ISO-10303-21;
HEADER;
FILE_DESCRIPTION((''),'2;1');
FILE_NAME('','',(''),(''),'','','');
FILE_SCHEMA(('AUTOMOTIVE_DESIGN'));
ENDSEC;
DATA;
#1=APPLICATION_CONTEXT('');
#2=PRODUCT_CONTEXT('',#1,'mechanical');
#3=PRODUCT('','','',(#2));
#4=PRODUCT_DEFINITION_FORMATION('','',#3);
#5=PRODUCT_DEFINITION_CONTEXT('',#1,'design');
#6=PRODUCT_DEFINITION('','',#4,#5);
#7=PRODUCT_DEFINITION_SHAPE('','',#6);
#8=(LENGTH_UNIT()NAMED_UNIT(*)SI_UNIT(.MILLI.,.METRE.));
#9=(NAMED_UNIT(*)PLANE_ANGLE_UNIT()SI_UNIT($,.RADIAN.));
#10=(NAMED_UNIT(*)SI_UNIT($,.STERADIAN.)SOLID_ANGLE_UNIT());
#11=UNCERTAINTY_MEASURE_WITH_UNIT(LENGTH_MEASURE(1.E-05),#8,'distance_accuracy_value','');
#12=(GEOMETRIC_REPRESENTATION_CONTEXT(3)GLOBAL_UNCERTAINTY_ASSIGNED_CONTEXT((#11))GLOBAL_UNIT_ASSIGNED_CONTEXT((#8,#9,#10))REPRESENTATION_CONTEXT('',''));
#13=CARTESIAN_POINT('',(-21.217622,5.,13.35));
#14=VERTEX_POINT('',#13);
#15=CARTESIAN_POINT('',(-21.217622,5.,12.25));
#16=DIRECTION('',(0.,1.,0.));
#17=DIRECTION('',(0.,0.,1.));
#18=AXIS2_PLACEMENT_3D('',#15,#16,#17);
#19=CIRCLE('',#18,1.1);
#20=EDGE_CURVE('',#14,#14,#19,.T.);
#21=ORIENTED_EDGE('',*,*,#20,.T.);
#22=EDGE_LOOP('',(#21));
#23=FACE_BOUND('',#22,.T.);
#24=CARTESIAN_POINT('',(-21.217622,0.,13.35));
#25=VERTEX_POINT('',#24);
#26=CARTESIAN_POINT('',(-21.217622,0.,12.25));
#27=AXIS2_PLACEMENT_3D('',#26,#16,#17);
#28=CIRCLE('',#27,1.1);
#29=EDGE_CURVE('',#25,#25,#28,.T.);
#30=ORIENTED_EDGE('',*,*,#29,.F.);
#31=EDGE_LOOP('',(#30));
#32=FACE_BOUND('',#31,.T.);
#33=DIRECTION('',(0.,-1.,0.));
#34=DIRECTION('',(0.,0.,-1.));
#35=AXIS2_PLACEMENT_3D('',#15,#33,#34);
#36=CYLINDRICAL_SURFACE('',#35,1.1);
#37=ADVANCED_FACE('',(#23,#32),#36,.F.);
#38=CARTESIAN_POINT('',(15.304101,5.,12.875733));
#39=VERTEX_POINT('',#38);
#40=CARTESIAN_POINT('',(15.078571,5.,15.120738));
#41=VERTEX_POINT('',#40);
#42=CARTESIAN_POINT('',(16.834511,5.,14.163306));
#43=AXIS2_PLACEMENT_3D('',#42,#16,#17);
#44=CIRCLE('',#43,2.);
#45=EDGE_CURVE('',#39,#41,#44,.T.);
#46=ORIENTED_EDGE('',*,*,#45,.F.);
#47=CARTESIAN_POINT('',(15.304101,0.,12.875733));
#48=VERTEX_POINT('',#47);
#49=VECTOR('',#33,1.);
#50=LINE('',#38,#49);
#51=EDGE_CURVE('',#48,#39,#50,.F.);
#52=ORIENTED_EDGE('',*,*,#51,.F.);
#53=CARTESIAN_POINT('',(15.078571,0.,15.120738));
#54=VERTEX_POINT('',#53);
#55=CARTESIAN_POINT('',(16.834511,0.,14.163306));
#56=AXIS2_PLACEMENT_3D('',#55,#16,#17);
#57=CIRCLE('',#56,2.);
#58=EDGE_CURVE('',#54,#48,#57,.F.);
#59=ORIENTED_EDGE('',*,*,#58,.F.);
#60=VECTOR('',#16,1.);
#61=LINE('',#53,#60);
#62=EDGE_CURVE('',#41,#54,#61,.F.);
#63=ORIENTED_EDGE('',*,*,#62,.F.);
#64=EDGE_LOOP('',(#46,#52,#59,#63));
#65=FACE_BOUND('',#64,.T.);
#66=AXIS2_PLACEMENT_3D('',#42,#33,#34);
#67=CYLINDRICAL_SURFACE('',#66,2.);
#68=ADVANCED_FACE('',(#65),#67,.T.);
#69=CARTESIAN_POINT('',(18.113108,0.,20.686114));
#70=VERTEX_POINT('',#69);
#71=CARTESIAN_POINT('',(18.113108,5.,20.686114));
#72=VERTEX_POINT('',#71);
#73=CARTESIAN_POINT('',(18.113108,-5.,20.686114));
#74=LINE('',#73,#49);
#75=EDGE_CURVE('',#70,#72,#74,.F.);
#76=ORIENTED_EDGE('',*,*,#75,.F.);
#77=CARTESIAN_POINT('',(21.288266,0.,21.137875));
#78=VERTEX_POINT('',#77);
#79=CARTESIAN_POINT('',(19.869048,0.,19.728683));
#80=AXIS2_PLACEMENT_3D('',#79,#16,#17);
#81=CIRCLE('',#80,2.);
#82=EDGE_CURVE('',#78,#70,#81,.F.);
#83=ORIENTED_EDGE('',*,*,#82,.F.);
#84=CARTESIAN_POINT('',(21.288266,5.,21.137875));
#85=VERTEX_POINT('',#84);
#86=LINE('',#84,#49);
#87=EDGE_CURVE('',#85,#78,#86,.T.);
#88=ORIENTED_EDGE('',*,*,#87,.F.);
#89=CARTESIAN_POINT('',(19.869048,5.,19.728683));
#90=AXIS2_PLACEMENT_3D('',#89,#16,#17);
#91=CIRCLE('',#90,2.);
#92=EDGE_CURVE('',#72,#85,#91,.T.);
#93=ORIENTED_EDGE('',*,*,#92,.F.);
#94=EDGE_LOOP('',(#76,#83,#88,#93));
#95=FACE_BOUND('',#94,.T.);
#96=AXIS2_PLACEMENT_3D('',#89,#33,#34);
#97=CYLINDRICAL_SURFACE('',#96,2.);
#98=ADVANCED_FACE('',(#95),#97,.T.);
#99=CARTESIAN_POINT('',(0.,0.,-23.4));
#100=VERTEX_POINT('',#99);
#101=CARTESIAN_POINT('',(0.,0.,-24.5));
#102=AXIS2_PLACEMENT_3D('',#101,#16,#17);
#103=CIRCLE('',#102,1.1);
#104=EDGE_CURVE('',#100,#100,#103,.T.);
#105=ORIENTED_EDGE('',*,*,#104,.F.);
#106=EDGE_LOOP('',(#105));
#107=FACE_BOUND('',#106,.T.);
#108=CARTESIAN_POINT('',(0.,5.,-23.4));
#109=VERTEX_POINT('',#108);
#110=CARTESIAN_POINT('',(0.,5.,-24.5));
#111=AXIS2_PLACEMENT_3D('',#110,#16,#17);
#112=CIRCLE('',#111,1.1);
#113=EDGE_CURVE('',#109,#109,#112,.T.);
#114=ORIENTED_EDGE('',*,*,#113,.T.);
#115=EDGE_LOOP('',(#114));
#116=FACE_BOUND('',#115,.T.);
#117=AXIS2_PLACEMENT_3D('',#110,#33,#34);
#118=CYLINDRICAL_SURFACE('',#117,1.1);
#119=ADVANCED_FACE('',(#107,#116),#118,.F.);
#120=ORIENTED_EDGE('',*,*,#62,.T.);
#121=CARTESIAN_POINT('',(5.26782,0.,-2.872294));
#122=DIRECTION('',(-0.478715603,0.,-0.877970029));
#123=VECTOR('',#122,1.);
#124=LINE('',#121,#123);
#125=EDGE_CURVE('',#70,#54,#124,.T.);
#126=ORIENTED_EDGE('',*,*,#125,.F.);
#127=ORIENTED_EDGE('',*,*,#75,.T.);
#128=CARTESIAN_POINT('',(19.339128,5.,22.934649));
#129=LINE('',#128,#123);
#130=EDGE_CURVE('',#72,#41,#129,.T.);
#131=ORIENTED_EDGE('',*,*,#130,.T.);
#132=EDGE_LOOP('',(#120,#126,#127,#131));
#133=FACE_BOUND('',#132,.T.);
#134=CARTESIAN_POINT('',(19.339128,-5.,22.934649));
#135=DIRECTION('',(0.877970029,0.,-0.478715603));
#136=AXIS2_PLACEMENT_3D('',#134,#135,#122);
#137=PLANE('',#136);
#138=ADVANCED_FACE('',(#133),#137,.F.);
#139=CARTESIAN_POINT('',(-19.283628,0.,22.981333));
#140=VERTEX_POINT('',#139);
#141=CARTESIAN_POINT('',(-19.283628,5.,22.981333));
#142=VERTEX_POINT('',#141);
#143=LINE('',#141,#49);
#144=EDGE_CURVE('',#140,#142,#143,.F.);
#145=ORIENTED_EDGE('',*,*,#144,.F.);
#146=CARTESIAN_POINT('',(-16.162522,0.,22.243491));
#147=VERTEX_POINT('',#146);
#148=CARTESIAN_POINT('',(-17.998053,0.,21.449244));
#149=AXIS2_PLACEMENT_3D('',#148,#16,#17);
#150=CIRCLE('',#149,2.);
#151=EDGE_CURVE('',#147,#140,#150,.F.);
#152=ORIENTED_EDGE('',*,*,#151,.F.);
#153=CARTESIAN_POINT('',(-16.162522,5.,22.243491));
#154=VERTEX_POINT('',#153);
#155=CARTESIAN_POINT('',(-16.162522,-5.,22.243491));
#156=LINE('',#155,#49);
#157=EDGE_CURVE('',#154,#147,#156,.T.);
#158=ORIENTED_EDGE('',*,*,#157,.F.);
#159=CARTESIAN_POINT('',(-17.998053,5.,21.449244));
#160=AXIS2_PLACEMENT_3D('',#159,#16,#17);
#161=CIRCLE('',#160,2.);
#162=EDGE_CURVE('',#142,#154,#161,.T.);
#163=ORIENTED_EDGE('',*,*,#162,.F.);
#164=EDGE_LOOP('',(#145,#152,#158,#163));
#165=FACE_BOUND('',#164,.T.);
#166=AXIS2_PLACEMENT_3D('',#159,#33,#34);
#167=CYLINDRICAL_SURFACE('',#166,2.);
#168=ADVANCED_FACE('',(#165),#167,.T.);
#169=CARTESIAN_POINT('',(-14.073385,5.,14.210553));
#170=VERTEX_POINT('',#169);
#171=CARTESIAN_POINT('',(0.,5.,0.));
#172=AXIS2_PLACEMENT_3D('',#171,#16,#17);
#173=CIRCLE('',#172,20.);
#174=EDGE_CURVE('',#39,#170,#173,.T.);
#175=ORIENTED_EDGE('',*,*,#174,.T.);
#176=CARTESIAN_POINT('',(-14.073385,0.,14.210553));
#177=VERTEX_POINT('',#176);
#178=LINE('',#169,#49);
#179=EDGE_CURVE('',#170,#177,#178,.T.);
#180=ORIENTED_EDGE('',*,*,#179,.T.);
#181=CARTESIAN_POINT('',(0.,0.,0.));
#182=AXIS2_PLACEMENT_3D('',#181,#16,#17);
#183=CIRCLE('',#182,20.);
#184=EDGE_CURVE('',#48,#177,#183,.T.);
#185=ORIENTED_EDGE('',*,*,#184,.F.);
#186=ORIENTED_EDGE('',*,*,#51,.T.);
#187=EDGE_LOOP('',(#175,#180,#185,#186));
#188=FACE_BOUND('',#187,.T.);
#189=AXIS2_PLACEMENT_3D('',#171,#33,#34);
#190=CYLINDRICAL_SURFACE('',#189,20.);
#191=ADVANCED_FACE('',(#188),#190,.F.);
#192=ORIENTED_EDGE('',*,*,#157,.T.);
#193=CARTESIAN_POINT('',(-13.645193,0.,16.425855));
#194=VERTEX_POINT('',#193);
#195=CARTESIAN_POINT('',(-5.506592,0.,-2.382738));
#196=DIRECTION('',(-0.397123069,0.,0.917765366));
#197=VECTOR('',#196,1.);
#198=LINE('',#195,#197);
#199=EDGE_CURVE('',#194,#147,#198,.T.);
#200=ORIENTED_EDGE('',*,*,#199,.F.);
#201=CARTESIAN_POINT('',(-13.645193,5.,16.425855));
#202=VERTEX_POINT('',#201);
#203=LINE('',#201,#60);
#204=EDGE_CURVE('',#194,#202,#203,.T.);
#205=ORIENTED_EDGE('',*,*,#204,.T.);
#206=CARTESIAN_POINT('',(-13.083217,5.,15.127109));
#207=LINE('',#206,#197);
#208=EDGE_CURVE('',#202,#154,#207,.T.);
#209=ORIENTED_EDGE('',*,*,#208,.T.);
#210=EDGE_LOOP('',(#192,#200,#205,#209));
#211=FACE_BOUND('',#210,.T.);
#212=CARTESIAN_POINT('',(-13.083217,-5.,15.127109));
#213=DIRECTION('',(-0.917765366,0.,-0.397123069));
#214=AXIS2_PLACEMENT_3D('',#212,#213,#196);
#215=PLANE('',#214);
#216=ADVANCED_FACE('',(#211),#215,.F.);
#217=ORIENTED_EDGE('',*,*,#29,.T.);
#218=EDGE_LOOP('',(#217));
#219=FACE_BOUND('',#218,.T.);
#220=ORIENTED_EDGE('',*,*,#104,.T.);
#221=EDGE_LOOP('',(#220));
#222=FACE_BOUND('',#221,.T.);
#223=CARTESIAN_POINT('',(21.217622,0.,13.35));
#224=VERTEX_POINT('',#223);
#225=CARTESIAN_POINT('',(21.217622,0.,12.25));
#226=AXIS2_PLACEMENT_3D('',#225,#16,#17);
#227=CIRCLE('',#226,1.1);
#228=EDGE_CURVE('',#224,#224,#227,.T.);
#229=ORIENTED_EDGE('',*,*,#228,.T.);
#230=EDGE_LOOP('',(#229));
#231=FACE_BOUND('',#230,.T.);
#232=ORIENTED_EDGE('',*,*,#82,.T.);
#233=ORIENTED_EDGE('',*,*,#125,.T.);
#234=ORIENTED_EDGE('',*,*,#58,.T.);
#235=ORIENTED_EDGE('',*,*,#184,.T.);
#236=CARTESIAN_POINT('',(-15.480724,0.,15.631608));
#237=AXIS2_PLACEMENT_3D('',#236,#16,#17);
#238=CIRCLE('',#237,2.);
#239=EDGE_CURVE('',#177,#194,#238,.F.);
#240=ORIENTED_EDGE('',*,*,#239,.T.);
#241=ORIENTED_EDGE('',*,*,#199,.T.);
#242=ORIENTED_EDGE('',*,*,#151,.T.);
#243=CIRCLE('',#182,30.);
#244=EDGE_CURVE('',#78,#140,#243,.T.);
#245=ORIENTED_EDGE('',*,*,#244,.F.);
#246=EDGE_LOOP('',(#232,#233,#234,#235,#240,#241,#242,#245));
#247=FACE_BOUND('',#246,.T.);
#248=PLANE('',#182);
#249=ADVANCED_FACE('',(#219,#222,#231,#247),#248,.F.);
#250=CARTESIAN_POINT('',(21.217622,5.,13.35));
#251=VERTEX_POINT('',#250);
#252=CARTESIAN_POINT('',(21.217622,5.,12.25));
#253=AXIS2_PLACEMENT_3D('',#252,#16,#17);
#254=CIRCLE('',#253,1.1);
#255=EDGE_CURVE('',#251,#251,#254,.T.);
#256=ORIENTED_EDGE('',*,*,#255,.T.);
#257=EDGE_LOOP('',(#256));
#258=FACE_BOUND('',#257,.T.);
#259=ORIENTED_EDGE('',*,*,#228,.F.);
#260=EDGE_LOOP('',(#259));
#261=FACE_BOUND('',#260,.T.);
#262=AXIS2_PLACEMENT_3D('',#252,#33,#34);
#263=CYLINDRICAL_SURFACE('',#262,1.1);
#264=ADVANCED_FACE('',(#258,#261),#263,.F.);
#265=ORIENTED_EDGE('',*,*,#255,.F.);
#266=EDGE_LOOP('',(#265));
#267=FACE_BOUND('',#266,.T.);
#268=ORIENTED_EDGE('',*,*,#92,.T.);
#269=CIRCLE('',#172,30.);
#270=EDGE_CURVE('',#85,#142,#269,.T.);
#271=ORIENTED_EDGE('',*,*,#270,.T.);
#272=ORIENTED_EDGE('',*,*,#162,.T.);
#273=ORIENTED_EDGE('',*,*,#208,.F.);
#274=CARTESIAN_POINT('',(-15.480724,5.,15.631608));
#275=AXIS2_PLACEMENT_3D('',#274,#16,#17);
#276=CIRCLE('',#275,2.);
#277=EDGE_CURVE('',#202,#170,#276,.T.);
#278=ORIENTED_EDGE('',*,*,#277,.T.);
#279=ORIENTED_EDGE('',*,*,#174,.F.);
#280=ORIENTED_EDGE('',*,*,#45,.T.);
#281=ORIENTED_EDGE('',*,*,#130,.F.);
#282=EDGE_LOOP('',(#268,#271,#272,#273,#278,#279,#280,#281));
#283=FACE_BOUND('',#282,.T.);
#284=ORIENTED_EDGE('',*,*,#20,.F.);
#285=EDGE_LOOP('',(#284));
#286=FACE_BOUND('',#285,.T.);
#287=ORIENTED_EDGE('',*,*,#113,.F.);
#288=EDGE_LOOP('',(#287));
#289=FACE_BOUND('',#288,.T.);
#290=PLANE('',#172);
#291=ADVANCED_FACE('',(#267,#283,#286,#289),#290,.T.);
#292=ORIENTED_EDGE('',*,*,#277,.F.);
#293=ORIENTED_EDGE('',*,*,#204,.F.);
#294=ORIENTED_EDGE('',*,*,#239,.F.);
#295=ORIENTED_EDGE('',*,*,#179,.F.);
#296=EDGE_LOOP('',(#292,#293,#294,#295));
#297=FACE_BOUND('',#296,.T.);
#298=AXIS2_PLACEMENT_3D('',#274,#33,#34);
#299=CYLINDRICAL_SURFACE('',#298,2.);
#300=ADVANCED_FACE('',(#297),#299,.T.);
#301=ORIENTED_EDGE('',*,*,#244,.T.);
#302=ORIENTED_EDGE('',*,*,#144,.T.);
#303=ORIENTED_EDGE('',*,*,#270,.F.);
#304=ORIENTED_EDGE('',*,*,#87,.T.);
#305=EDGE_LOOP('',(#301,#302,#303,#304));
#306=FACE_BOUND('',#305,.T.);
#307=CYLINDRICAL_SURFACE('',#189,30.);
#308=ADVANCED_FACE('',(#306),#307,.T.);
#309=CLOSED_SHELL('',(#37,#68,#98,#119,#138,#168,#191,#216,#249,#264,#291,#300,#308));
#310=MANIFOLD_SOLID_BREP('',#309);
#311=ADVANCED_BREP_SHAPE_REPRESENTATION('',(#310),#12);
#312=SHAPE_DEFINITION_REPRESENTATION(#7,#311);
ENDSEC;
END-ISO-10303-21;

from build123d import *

# Parameters (mm, degrees)
SKETCH_1_R          = 30
SKETCH_1_R_2        = 20
SKETCH_1_R_3        = 1.1
EXTRUDE_1_DEPTH     = 5
CUT_EXTRUDE_START   = -10
CUT_EXTRUDE_1_DEPTH = 10
FILLET_1_R          = 2


with BuildPart() as part:
    # 草图1 → 凸台-拉伸1 (new body)
    with BuildSketch(Plane(origin=(0, 0, 0), x_dir=(1, 0, 0), z_dir=(0, 1, 0))):
        with Locations(Location((0, 0, 0), (0, 0, 270))):
            Circle(SKETCH_1_R)
        with Locations(Location((0, 0, 0), (0, 0, 270))):
            Circle(SKETCH_1_R_2, mode=Mode.SUBTRACT)
        with Locations(Location((0, 24.5, 0), (0, 0, 270))):
            Circle(SKETCH_1_R_3, mode=Mode.SUBTRACT)
        with Locations(Location((21.217622393, -12.25, 0), (0, 0, 270))):
            Circle(SKETCH_1_R_3, mode=Mode.SUBTRACT)
        with Locations(Location((-21.217622393, -12.25, 0), (0, 0, 270))):
            Circle(SKETCH_1_R_3, mode=Mode.SUBTRACT)
    extrude(amount=EXTRUDE_1_DEPTH)

    # 草图2 → 切除-拉伸1 (cut)
    with BuildSketch(Plane(origin=(0, 5, 0), x_dir=(1, 0, 0), z_dir=(0, 1, 0)).offset(CUT_EXTRUDE_START)):
        with BuildLine():
            Line((19.339127693, -22.934649334), (14.401131779, -13.878306939))
            ThreePointArc((14.401131779, -13.878306939), (0.907800118, -19.979386851), (-13.08321747, -15.1271088))
            Line((-13.08321747, -15.1271088), (-17.179578816, -24.593943801))
            ThreePointArc((-17.179578816, -24.593943801), (1.361700176, -29.969080277), (19.339127693, -22.934649334))
        make_face()
    extrude(amount=CUT_EXTRUDE_1_DEPTH, mode=Mode.SUBTRACT)

    # 圆角1
    fillet_1_edges = [part.edges().sort_by_distance(p)[0] for p in [
        (14.401131779, 2.5, 13.878306939),
        (-13.08321747, 2.5, 15.1271088),
        (19.339127693, 2.5, 22.934649334),
        (-17.179578816, 2.5, 24.593943801),
    ]]
    fillet(fillet_1_edges, radius=FILLET_1_R)


solid = part.part
